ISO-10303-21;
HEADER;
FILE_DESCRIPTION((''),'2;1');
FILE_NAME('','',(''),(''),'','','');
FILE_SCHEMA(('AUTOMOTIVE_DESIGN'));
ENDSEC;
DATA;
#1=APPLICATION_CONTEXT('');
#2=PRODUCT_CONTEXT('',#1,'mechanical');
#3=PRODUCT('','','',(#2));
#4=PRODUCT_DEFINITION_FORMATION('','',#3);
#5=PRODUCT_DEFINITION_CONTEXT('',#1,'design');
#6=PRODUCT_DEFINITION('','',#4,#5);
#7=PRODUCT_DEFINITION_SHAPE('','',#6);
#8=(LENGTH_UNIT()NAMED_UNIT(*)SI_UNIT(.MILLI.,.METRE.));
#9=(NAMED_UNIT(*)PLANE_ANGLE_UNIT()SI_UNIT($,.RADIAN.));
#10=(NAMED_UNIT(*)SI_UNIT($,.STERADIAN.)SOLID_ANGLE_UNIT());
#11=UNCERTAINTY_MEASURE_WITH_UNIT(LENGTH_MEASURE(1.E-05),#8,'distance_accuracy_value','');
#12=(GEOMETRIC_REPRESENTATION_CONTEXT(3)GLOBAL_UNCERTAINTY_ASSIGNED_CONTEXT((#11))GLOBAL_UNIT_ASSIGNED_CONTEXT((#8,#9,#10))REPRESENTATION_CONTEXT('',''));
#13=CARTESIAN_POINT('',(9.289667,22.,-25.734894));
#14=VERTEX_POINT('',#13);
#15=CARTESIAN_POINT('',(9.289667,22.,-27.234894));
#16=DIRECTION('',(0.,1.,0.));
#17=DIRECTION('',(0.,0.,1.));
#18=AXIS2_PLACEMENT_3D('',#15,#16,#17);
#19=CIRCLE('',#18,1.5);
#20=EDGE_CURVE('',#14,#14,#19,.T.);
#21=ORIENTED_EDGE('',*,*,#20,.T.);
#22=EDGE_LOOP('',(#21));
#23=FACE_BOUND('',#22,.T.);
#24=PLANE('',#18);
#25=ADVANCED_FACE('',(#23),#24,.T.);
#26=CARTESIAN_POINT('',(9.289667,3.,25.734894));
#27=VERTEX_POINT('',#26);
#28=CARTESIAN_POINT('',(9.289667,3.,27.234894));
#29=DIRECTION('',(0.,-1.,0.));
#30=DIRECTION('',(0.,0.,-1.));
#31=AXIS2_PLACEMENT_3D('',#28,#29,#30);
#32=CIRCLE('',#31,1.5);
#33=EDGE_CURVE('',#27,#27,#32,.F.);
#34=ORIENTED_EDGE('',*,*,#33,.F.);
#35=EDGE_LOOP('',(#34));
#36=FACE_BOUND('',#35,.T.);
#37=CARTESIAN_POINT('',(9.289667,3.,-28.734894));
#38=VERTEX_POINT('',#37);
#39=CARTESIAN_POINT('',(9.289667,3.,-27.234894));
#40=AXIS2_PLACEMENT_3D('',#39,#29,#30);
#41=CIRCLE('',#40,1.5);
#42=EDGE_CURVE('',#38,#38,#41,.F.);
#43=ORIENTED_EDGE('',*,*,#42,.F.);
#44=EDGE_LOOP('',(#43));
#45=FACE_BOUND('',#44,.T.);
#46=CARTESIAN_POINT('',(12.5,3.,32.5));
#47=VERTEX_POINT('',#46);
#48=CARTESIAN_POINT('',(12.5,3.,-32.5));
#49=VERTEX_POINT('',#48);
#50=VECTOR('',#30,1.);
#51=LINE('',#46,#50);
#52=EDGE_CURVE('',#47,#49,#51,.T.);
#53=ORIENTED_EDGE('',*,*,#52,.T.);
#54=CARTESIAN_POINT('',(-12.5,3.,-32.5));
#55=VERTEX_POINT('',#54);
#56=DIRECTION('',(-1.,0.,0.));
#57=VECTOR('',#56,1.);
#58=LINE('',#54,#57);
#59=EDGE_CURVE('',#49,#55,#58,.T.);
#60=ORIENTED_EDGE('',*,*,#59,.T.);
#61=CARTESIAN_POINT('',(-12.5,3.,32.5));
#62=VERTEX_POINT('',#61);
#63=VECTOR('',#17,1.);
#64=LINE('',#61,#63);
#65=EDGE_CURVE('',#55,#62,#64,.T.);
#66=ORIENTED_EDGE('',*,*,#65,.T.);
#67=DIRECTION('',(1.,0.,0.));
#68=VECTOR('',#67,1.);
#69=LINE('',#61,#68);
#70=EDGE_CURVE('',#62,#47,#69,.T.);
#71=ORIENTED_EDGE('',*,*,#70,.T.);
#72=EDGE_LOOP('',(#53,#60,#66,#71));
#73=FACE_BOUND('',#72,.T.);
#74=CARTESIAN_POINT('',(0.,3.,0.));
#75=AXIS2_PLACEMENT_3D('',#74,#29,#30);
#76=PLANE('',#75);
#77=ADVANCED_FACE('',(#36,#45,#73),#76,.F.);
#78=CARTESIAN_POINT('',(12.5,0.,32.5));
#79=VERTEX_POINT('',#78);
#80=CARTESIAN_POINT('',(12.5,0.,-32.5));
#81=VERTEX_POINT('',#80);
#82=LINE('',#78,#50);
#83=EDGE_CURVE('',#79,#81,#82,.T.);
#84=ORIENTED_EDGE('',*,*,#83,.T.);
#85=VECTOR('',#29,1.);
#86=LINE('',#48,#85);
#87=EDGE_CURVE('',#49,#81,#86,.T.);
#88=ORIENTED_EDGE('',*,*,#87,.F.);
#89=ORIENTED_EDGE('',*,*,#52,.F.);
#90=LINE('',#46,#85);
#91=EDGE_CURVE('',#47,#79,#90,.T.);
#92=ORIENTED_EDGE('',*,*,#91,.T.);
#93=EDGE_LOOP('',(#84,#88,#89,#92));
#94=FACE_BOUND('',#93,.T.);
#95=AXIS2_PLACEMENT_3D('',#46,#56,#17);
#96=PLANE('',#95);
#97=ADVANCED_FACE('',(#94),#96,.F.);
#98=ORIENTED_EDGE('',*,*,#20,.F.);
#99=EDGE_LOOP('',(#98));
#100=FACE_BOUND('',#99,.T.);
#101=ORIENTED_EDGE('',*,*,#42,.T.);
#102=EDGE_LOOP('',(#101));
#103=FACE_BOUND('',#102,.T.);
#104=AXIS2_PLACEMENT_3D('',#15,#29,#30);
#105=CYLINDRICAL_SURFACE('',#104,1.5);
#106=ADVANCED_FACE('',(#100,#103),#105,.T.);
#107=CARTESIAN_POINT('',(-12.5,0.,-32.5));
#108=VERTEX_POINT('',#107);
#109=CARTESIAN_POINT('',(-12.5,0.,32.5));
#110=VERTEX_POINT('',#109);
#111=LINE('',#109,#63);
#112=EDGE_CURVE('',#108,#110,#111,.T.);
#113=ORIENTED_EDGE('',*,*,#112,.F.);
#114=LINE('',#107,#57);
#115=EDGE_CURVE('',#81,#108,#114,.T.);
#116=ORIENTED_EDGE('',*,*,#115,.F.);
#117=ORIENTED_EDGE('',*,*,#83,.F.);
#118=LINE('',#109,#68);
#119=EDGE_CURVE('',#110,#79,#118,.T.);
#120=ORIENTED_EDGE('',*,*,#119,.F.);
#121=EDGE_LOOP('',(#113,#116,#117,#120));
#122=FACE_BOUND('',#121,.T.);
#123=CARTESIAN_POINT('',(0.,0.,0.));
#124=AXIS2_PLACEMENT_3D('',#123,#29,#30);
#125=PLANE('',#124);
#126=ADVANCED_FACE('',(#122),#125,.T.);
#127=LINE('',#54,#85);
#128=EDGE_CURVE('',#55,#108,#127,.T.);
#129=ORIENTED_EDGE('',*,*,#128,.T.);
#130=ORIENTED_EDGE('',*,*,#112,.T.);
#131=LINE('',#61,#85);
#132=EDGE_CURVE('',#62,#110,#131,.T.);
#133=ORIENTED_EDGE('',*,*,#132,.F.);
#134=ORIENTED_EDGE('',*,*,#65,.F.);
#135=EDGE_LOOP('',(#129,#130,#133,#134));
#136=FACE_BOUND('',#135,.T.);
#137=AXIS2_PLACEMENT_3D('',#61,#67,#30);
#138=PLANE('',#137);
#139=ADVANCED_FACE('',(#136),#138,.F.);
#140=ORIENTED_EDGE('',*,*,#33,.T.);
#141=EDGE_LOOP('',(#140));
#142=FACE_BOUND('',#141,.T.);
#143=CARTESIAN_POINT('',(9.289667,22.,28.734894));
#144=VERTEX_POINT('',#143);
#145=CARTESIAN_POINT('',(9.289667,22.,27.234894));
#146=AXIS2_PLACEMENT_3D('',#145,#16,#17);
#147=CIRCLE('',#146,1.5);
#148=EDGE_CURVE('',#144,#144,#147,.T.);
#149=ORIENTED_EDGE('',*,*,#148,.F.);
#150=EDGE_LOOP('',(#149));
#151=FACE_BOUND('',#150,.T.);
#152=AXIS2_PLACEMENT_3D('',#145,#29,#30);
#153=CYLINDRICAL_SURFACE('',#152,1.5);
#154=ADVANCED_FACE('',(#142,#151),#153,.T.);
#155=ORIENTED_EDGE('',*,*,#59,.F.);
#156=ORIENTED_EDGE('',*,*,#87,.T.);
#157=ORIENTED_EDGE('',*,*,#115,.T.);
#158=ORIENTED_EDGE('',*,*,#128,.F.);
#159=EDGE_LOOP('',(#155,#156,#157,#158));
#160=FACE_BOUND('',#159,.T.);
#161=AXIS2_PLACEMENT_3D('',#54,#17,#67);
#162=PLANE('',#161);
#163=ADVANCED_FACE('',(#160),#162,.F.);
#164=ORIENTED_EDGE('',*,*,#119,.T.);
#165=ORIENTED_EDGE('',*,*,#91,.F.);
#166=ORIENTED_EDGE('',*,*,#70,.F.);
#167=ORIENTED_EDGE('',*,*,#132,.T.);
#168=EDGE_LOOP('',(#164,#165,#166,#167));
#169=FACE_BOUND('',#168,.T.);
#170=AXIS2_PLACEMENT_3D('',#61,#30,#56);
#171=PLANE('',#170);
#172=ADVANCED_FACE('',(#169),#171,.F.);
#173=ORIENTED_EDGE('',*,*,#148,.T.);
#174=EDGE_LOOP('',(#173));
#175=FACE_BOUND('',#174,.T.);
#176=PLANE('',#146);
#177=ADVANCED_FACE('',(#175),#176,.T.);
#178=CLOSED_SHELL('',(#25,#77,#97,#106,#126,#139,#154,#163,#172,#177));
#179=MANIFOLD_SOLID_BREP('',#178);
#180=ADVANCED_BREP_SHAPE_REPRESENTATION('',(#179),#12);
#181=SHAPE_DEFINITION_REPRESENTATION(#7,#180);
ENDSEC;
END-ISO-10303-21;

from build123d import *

# Parameters (mm, degrees)
SKETCH1_W           = 25
SKETCH1_H           = 65
BOSS_EXTRUDE1_DEPTH = 3
SKETCH2_R           = 1.5
BOSS_EXTRUDE2_DEPTH = 19


with BuildPart() as part:
    # Sketch1 → Boss-Extrude1 (new body)
    with BuildSketch(Plane(origin=(0, 0, 0), x_dir=(1, 0, 0), z_dir=(0, 1, 0))):
        Rectangle(SKETCH1_W, SKETCH1_H)
    extrude(amount=BOSS_EXTRUDE1_DEPTH)

    # Sketch2 → Boss-Extrude2 (add)
    with BuildSketch(Plane(origin=(0, 3, 0), x_dir=(1, 0, 0), z_dir=(0, 1, 0))):
        with Locations(Location((9.289666573, 27.234893969, 0), (0, 0, 90))):
            Circle(SKETCH2_R)
        with Locations(Location((9.289666573, -27.234893969, 0), (0, 0, 90))):
            Circle(SKETCH2_R)
    extrude(amount=BOSS_EXTRUDE2_DEPTH)


solid = part.part
